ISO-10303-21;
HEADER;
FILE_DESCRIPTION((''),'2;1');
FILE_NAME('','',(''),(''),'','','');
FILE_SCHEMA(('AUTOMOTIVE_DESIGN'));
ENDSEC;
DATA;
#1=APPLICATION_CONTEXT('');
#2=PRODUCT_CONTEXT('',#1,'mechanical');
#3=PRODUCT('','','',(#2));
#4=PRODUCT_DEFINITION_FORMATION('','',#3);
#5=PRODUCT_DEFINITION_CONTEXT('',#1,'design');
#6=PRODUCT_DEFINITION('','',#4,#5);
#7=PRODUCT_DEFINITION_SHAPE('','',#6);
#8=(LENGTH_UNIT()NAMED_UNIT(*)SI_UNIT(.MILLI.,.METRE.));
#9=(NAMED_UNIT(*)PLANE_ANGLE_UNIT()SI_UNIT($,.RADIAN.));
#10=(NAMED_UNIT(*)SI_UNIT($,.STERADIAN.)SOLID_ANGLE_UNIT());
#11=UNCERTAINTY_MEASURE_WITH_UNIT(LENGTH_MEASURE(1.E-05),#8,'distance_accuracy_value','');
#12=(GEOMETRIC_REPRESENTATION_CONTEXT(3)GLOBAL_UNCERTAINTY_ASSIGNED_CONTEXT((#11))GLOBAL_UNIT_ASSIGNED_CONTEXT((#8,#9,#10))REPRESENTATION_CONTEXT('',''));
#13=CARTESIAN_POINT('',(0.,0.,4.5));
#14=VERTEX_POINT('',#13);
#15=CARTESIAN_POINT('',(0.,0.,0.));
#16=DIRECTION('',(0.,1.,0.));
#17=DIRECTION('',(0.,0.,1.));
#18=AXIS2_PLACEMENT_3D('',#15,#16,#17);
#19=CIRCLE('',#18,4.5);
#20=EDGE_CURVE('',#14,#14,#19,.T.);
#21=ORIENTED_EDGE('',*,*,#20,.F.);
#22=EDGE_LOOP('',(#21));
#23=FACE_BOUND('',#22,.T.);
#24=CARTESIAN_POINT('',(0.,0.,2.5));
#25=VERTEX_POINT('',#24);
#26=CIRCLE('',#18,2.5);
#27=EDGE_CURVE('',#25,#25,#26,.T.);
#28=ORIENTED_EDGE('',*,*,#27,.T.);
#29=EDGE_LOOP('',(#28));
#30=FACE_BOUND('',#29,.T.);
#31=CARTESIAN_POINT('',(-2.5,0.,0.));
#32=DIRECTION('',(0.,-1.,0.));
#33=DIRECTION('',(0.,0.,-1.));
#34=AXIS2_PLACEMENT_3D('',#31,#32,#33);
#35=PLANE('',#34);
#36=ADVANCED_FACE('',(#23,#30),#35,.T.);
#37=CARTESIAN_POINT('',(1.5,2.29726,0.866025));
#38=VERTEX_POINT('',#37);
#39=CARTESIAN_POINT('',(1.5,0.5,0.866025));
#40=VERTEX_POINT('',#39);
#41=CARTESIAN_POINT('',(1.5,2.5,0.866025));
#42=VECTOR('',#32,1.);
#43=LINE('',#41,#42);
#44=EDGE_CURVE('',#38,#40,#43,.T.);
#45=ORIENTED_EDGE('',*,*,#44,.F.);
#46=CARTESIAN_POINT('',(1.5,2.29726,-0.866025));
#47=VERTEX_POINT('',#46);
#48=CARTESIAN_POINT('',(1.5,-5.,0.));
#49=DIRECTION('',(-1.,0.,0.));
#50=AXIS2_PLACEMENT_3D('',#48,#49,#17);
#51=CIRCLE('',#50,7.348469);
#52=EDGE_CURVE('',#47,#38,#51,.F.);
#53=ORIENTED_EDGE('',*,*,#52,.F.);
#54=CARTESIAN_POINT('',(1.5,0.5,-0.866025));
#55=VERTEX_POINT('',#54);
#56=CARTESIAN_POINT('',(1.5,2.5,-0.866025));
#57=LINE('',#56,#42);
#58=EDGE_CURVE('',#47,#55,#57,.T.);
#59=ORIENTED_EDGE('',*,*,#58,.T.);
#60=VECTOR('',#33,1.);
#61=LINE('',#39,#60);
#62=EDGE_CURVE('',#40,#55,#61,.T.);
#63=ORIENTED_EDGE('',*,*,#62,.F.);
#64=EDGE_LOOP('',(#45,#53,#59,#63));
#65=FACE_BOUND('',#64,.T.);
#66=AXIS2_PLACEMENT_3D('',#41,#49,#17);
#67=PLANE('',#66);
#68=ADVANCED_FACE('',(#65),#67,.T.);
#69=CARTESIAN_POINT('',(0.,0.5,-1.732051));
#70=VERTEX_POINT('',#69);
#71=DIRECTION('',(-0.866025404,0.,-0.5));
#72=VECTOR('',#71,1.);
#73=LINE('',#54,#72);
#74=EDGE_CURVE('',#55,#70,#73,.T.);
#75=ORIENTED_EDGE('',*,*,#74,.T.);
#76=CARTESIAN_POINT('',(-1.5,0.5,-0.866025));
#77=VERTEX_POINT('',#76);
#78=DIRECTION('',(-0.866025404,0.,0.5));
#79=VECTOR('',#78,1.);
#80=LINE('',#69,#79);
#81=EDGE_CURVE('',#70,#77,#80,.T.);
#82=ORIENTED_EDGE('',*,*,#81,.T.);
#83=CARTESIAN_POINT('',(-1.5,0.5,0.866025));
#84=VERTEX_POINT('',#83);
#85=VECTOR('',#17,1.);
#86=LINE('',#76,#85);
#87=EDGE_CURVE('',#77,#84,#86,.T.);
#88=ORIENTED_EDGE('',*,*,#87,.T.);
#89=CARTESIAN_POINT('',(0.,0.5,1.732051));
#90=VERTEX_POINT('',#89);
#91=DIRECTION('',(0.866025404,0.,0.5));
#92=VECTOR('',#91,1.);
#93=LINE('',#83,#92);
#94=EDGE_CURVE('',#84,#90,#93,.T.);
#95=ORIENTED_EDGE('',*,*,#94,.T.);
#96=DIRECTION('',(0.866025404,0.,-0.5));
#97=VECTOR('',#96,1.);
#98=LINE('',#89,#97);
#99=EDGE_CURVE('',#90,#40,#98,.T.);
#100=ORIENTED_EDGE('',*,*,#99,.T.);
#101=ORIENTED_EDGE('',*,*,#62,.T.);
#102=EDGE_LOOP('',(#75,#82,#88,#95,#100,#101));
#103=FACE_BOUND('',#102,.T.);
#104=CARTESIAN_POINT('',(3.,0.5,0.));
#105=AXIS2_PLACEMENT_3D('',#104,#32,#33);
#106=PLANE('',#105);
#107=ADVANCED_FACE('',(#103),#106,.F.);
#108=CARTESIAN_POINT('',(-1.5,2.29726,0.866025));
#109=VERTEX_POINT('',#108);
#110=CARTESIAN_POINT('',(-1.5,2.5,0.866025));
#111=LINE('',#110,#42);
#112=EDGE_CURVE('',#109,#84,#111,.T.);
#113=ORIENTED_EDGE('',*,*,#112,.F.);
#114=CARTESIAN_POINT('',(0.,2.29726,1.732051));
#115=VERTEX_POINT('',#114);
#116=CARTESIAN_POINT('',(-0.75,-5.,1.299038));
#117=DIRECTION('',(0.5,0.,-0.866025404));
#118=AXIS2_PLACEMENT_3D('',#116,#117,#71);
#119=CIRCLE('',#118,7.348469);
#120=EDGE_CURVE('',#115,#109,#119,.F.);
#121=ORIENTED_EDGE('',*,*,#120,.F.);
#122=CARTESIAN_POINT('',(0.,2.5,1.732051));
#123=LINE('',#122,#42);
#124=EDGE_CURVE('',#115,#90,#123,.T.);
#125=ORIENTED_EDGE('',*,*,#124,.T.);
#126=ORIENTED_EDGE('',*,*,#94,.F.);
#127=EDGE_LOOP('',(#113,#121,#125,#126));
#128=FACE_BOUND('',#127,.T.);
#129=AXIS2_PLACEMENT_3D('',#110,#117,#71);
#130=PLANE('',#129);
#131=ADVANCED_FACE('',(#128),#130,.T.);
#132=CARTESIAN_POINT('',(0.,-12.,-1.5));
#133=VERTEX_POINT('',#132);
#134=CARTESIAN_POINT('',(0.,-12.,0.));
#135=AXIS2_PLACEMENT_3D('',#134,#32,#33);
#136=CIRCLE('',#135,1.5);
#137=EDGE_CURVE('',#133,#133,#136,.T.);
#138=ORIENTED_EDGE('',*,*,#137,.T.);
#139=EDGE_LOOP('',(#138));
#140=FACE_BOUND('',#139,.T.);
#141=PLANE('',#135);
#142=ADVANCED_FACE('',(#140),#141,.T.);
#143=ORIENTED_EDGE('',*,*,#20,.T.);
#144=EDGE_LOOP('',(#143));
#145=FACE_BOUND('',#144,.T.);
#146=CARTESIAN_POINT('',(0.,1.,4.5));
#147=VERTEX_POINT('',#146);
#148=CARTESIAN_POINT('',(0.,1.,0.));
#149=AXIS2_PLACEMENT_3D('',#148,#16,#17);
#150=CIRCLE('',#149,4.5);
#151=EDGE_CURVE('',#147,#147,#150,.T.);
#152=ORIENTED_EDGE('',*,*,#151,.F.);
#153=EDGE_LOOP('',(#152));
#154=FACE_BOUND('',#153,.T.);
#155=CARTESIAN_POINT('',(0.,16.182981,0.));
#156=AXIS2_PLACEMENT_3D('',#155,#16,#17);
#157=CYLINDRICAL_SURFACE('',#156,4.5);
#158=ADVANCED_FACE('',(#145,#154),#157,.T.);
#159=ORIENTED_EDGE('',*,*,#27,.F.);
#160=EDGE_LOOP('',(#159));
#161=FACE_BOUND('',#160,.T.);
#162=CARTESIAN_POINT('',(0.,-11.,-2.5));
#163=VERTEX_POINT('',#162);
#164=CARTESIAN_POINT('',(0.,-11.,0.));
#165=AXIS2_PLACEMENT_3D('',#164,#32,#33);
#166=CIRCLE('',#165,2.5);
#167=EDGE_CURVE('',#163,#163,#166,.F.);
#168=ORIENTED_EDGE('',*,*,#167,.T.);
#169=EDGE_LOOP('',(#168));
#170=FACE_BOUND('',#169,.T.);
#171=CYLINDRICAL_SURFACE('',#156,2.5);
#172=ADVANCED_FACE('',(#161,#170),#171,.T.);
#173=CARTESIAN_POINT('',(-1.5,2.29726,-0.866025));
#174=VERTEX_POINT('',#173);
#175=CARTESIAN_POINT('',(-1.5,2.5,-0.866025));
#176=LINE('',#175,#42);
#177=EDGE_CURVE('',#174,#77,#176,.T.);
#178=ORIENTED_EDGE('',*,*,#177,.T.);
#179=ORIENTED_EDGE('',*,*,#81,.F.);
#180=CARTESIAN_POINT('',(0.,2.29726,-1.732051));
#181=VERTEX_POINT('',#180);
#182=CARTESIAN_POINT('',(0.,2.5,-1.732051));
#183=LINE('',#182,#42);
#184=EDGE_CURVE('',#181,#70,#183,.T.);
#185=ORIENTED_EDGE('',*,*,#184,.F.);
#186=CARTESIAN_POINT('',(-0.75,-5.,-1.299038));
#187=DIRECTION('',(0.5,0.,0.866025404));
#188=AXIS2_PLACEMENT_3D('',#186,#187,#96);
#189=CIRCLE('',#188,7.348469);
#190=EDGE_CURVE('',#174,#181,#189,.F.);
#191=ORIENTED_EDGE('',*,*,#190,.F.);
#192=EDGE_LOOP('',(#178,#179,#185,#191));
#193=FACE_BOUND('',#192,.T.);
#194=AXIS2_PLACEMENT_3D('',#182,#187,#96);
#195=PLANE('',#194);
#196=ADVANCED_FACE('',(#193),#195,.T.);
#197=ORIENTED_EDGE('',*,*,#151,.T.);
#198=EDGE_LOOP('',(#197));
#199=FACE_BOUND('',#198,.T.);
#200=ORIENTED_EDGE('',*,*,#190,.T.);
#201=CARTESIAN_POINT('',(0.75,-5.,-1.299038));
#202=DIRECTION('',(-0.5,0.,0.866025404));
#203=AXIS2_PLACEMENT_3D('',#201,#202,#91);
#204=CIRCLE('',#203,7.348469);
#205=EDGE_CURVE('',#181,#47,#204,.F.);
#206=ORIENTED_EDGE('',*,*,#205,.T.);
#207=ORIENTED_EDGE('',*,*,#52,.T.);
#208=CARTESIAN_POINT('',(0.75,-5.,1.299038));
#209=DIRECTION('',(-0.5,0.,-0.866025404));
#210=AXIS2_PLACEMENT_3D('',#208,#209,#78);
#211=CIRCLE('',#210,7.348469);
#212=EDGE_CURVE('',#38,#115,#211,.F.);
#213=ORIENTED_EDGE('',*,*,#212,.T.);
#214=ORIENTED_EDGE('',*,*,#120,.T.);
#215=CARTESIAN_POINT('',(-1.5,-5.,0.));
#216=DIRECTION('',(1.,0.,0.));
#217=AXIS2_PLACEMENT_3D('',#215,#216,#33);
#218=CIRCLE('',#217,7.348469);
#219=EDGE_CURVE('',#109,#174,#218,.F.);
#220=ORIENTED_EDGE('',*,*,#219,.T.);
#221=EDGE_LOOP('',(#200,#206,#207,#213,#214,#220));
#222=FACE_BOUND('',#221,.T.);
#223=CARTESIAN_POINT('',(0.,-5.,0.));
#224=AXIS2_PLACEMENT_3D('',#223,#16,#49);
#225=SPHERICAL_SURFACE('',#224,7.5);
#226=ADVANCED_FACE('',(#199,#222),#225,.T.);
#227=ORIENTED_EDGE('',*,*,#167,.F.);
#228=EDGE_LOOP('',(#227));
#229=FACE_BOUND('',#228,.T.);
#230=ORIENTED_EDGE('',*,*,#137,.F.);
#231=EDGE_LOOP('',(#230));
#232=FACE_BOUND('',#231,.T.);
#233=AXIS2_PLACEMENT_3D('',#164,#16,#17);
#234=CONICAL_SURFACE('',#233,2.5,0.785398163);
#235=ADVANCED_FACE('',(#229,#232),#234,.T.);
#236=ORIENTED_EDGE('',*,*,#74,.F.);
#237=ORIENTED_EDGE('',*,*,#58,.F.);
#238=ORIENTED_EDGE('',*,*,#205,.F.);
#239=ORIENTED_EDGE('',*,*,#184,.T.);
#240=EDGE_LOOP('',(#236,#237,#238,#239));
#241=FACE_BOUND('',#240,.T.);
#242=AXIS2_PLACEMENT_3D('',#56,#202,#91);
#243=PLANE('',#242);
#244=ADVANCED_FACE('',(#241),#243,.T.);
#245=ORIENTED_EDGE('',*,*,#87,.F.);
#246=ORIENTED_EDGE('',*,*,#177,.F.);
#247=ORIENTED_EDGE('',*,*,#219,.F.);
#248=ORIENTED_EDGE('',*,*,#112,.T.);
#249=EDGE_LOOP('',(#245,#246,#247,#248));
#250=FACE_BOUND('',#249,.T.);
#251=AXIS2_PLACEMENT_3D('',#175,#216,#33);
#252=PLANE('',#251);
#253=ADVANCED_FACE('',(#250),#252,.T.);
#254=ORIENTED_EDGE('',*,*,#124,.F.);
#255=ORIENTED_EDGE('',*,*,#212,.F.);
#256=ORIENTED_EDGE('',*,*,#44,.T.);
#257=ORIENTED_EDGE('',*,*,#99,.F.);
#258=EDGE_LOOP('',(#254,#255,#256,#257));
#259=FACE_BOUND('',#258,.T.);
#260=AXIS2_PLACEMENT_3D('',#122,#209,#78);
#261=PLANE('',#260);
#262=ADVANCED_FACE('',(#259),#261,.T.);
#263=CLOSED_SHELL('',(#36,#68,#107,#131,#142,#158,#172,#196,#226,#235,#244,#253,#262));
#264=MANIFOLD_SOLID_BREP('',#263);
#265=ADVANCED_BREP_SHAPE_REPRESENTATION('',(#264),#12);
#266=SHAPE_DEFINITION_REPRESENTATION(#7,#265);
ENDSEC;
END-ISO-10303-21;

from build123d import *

# Parameters (mm, degrees)
ENL_V_START             = 0.5
ENL_V_MAT_EXTRU_1_DEPTH = 3
CHANFREIN1_SIZE         = 1


with BuildPart() as part:
    # Esquisse1 → Révolution1 (revolve)
    with BuildSketch(Plane.XY, mode=Mode.PRIVATE) as r_volution1_sk:
        with BuildLine():
            Line((0, -12), (0, 2.5))
            ThreePointArc((0, 2.5), (-2.371708245, 2.115124735), (-4.5, 1))
            Line((-4.5, 1), (-4.5, 0))
            Line((-4.5, 0), (-2.5, 0))
            Line((-2.5, 0), (-2.5, -12))
            Line((-2.5, -12), (0, -12))
        make_face()
    revolve(r_volution1_sk.sketch.rotate(Axis((0, 16.1829806, 0), (0, -1, 0)), 270), axis=Axis((0, 16.1829806, 0), (0, -1, 0)))  # turned: the seam where the file's is

    # Esquisse2 → Enlèv. mat.-Extru.1 (cut, through all)
    with BuildSketch(Plane(origin=(0, 0, 0), x_dir=(1, 0, 0), z_dir=(0, 1, 0)).offset(ENL_V_START)):
        Polygon((0, 1.732050808), (-1.5, 0.866025404), (-1.5, -0.866025404), (0, -1.732050808), (1.5, -0.866025404), (1.5, 0.866025404), align=None)
    extrude(amount=ENL_V_MAT_EXTRU_1_DEPTH, mode=Mode.SUBTRACT)

    # Chanfrein1
    chanfrein1_edges = [part.edges().sort_by_distance(p)[0] for p in [
        (0, -12, -2.5),
    ]]
    chamfer(chanfrein1_edges, length=CHANFREIN1_SIZE)


solid = part.part
